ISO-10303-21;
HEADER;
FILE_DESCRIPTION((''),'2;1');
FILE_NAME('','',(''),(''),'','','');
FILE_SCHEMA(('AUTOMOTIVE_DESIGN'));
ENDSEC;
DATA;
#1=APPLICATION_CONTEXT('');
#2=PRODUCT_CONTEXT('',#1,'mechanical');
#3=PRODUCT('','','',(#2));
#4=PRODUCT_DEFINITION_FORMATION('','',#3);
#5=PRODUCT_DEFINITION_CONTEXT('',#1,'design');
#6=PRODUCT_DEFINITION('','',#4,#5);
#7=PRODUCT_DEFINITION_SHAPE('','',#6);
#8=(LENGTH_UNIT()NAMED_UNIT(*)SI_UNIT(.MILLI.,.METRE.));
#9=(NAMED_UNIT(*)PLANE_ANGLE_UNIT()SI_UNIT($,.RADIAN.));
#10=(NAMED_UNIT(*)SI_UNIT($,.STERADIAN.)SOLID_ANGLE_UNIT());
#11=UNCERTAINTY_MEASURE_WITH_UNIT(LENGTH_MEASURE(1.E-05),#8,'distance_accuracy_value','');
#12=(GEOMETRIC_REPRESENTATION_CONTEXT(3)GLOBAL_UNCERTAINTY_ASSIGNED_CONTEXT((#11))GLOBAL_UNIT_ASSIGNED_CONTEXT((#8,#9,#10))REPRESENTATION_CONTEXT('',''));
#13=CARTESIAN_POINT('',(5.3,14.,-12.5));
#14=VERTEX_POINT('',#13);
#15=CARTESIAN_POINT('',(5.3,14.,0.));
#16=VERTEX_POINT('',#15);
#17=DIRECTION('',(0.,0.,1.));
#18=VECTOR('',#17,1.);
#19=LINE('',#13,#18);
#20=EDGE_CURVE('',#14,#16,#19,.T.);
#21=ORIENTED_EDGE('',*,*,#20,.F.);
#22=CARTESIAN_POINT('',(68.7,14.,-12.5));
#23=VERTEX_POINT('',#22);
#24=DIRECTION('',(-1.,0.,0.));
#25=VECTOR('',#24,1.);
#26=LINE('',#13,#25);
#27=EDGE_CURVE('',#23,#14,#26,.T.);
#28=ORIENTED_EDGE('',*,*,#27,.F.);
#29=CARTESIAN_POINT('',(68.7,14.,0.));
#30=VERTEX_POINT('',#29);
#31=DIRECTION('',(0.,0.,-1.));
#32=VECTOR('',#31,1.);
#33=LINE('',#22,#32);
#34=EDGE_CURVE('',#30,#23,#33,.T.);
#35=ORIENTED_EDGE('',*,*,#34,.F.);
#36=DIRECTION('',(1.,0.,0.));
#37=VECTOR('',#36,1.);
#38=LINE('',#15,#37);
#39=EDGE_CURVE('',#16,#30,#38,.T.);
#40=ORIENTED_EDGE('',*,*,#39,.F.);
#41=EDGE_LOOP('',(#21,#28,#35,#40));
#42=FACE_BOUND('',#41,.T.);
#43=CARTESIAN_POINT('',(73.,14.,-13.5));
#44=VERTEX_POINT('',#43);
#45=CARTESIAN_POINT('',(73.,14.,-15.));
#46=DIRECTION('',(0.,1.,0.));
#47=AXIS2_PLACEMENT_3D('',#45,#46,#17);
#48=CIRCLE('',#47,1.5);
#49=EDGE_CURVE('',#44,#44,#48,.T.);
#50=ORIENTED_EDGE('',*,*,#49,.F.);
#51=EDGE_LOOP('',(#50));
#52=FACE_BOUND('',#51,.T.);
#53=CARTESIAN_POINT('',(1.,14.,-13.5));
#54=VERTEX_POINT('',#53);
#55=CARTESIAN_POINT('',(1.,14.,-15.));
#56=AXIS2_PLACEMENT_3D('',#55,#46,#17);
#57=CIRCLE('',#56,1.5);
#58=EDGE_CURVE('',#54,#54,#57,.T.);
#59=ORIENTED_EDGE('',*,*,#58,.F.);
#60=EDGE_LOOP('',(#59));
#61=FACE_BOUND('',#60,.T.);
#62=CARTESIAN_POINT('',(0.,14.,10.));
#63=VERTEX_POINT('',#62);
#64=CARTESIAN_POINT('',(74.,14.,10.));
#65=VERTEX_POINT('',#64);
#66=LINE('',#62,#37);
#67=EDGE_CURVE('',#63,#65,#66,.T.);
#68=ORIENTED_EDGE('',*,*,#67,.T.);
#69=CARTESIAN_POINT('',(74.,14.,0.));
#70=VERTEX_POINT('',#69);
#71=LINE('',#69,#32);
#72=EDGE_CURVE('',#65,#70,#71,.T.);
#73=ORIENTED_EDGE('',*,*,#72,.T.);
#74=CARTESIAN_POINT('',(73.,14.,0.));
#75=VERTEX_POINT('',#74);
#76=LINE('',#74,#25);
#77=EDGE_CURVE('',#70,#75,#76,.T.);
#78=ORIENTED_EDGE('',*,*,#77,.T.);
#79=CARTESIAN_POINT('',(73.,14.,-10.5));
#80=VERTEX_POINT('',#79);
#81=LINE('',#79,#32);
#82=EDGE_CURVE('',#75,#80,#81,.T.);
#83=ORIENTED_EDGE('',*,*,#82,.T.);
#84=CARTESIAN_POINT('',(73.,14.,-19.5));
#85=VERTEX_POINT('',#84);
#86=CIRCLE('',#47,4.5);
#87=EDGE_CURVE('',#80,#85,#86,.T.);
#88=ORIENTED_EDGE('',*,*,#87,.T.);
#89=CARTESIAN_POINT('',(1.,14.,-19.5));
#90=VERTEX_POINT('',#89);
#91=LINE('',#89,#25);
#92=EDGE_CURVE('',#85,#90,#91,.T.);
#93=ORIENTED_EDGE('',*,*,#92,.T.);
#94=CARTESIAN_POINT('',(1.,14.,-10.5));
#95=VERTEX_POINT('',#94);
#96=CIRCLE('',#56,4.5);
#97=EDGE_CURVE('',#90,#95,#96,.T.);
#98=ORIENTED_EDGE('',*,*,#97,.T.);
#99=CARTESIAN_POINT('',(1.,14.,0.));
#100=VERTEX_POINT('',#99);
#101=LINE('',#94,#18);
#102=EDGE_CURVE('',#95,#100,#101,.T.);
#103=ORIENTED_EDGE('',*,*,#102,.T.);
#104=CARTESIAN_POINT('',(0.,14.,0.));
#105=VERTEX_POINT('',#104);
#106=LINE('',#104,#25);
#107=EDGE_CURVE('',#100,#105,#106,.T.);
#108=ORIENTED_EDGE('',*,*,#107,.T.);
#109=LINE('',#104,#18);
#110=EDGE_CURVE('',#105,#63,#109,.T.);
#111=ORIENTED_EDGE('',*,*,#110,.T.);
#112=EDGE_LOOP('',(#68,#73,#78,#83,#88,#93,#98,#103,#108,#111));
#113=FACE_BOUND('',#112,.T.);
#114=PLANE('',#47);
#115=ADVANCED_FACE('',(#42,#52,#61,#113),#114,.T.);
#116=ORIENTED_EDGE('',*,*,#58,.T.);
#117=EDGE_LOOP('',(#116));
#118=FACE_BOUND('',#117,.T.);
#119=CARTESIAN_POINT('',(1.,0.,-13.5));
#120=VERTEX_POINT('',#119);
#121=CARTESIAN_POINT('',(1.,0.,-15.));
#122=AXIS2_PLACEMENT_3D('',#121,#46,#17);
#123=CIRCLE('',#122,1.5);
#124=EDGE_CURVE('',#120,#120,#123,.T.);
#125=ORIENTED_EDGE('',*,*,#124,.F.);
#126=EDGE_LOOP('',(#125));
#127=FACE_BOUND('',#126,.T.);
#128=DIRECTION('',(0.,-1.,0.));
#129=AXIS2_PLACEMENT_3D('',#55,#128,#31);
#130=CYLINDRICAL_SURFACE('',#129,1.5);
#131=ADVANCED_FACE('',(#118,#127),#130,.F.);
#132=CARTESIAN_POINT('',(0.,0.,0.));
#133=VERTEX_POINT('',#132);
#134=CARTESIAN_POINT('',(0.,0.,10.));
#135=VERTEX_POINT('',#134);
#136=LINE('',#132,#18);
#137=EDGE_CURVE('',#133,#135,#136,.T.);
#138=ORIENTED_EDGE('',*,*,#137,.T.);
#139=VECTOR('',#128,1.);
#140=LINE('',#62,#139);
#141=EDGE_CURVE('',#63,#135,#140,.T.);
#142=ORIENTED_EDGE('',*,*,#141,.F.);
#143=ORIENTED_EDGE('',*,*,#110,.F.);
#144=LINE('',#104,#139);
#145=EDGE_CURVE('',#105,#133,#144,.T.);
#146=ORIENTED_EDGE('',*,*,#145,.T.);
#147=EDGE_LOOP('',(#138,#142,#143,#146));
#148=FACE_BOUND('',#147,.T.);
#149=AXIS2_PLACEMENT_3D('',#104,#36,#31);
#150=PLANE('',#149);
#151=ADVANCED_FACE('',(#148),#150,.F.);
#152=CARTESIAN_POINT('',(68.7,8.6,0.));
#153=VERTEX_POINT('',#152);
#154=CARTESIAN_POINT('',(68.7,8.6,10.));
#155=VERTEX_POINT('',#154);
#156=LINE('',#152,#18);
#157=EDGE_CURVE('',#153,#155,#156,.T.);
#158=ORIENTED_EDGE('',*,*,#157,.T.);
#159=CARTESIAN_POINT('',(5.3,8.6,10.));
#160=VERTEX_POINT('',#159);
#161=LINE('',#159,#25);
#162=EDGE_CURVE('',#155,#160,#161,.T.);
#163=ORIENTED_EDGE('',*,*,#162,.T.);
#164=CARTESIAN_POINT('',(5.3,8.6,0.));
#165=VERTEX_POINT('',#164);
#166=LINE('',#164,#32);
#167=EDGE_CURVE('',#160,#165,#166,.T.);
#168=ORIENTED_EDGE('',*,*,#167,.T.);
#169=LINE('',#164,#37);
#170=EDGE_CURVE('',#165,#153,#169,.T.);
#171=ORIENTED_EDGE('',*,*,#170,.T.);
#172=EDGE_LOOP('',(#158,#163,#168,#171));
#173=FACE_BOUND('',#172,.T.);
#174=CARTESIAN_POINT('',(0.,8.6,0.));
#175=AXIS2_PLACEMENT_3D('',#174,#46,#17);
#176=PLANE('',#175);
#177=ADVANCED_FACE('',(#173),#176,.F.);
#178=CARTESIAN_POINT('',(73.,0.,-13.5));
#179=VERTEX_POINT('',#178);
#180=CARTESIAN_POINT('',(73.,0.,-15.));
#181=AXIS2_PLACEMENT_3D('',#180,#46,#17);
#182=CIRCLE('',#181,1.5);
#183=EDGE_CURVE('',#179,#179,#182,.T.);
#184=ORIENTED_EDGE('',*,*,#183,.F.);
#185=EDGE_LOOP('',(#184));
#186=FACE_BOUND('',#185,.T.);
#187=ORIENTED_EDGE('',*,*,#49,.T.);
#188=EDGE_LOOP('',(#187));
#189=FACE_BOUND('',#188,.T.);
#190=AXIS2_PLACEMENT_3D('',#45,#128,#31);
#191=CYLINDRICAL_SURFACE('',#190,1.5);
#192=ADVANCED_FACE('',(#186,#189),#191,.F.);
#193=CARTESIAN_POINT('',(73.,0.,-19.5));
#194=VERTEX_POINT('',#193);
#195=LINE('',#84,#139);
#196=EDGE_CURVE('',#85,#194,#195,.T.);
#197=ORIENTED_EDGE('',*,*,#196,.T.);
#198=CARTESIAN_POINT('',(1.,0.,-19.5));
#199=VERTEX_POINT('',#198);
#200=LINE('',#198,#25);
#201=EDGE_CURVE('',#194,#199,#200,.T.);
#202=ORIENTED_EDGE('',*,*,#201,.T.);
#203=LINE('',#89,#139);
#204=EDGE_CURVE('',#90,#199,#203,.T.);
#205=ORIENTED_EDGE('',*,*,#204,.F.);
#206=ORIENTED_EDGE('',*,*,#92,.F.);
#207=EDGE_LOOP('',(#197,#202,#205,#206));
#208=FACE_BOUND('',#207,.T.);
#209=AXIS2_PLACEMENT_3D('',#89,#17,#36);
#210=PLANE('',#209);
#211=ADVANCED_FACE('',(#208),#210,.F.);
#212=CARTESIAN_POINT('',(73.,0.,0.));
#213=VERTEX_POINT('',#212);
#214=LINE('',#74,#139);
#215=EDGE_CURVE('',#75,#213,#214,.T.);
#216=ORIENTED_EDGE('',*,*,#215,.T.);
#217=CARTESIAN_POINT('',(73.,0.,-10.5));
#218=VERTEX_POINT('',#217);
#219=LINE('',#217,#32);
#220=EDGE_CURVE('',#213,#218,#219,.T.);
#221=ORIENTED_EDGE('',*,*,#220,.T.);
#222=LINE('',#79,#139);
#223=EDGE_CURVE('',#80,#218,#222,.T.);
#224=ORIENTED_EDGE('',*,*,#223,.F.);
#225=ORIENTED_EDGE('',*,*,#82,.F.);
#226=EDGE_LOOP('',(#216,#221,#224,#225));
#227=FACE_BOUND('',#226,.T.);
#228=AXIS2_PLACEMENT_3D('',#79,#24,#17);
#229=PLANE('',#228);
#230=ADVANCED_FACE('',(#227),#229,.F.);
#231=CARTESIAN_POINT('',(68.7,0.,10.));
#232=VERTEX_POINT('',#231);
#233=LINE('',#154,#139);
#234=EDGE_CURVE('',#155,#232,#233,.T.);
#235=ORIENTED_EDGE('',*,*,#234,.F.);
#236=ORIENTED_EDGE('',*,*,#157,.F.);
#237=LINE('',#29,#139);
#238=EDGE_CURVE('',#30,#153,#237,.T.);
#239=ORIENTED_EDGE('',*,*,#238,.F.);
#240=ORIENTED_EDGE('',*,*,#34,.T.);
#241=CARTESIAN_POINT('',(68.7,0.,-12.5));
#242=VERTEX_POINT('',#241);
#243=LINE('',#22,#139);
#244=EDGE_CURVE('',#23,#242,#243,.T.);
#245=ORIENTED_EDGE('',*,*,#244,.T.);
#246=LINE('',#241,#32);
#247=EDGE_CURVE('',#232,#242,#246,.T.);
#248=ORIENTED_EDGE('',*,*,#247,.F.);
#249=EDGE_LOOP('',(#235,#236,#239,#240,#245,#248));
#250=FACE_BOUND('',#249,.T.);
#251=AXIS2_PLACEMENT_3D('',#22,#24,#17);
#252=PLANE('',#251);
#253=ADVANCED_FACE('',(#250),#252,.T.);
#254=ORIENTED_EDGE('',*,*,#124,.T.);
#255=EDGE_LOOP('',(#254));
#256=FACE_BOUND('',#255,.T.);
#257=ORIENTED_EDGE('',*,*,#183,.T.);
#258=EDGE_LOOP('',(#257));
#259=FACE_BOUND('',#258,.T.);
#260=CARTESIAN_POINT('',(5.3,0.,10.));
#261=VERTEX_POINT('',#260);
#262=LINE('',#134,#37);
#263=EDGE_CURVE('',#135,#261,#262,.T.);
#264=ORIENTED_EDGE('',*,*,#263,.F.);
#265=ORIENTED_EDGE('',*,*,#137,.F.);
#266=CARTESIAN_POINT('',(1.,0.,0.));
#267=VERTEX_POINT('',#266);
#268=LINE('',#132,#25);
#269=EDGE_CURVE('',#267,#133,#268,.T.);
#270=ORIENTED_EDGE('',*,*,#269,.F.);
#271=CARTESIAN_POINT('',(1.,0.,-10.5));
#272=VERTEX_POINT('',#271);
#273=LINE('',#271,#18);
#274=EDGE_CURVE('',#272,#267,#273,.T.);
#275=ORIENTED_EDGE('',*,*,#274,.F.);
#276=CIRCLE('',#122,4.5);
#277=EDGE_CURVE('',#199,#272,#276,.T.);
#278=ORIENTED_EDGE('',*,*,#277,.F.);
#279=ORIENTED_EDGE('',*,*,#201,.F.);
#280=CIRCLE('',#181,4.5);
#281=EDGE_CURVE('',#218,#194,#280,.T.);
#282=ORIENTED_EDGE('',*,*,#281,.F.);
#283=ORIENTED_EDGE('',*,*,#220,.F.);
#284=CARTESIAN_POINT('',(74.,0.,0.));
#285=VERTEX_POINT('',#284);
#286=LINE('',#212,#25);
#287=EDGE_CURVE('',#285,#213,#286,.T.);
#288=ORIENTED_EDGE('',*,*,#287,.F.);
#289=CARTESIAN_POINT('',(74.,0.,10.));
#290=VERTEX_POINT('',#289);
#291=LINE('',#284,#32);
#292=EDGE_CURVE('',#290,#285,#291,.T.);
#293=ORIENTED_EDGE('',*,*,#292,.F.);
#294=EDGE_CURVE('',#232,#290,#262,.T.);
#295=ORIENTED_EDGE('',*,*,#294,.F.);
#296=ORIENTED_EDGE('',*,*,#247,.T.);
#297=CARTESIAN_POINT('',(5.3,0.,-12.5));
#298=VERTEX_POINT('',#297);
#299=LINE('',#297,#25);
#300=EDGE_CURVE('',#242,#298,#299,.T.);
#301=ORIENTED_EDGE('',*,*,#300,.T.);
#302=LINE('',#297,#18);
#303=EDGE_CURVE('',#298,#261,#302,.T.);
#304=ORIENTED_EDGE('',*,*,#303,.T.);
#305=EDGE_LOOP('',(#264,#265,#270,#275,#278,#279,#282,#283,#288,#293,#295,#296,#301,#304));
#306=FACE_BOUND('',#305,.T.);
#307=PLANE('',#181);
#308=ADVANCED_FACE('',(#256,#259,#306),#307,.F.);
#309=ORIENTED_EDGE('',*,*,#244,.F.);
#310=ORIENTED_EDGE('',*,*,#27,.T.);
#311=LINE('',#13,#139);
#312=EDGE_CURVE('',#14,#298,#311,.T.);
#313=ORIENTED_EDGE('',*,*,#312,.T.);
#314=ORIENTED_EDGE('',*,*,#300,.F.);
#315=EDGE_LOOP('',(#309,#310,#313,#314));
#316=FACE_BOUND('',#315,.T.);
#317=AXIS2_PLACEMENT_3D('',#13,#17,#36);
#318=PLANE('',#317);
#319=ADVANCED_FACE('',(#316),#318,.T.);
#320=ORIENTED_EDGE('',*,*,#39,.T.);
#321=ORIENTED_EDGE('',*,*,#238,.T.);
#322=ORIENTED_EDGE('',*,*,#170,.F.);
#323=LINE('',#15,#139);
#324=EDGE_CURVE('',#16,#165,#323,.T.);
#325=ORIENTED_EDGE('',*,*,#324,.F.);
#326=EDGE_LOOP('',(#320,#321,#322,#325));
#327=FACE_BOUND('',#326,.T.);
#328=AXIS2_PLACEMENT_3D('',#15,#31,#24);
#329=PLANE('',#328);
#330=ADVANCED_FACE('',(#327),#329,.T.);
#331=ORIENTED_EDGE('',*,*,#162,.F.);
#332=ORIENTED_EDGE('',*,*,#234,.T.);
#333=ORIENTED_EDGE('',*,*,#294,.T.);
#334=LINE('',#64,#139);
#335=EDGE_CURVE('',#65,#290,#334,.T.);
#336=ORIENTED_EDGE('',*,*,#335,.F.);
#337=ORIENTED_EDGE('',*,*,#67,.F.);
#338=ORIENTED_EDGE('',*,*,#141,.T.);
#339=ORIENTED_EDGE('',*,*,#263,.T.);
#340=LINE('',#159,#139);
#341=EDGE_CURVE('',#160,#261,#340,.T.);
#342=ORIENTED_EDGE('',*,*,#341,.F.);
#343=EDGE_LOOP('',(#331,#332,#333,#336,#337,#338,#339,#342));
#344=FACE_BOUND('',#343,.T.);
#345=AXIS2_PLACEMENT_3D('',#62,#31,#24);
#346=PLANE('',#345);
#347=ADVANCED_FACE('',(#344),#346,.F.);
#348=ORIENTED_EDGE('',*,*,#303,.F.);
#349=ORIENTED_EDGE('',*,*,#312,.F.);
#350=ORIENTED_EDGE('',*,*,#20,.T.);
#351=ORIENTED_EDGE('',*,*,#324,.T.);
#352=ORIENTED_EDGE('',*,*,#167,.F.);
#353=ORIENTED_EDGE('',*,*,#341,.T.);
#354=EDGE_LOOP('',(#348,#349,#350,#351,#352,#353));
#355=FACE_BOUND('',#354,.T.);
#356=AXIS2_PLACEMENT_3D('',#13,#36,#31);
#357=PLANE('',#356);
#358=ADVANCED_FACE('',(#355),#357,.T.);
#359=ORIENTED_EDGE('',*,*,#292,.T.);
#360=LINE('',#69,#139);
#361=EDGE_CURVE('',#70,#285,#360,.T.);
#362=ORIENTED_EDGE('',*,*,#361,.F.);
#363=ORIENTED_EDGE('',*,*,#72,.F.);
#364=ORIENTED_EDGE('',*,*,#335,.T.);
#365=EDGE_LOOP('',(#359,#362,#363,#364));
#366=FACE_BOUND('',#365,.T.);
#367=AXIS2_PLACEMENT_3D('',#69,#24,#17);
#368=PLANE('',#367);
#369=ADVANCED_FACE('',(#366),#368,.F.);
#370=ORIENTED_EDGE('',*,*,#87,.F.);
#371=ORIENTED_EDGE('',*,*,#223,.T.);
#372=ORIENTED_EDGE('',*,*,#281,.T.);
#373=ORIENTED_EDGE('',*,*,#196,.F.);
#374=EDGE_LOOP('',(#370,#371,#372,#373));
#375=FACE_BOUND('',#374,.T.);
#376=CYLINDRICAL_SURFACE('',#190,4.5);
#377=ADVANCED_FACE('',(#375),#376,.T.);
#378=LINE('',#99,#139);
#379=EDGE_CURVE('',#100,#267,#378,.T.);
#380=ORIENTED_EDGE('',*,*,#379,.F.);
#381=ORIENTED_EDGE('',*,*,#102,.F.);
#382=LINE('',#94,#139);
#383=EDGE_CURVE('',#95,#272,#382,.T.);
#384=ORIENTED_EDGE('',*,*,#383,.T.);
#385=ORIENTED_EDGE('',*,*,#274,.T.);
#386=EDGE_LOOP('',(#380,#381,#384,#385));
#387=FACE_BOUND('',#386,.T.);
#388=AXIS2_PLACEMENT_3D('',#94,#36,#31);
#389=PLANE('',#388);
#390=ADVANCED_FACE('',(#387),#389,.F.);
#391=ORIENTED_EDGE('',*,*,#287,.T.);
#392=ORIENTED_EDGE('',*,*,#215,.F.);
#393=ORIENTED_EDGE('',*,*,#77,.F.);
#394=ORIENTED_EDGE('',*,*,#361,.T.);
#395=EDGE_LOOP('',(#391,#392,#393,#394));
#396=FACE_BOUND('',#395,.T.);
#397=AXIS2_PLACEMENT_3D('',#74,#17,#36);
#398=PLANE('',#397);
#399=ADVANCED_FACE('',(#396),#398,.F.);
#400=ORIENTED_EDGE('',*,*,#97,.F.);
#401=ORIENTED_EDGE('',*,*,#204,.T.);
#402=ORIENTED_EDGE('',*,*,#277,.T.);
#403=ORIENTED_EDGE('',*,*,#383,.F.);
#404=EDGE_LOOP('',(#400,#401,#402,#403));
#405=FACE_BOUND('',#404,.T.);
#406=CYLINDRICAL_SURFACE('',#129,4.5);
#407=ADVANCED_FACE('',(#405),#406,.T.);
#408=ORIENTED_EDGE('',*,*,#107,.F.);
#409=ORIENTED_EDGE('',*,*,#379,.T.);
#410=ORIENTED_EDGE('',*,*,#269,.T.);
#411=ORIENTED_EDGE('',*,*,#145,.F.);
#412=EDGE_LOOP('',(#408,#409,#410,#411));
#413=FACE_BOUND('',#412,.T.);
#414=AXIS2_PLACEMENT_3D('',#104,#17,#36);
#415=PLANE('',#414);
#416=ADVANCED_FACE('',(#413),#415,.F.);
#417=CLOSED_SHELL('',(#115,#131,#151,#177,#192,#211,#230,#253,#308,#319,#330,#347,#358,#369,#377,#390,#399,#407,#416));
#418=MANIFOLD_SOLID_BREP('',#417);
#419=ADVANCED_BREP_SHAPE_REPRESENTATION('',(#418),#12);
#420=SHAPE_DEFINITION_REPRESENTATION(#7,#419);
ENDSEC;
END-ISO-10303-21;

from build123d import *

# Parameters (mm, degrees)
SKETCH_1_R          = 1.5
SKETCH_1_W          = 63.4
SKETCH_1_H          = 12.5
EXTRUDE_1_DEPTH     = 14
SKETCH_2_W          = 63.4
SKETCH_2_H          = 10
CUT_EXTRUDE_1_DEPTH = 8.6


with BuildPart() as part:
    # Эскиз1 → Бобышка-Вытянуть1 (new body)
    with BuildSketch(Plane(origin=(0, 0, 0), x_dir=(1, 0, 0), z_dir=(0, 1, 0))):
        with BuildLine():
            Line((0, 0), (1, 0))
            Line((1, 0), (1, 10.5))
            ThreePointArc((1, 10.5), (-3.5, 15), (1, 19.5))
            Line((1, 19.5), (73, 19.5))
            ThreePointArc((73, 19.5), (77.5, 15), (73, 10.5))
            Line((73, 10.5), (73, 0))
            Line((73, 0), (74, 0))
            Line((74, 0), (74, -10))
            Line((74, -10), (0, -10))
            Line((0, -10), (0, 0))
        make_face()
        with Locations(Location((1, 15, 0), (0, 0, 270))):
            Circle(SKETCH_1_R, mode=Mode.SUBTRACT)
        with Locations(Location((73, 15, 0), (0, 0, 270))):
            Circle(SKETCH_1_R, mode=Mode.SUBTRACT)
        with Locations((37, 6.25)):
            Rectangle(SKETCH_1_W, SKETCH_1_H, mode=Mode.SUBTRACT)
    extrude(amount=EXTRUDE_1_DEPTH)

    # Эскиз2 → Вырез-Вытянуть1 (cut)
    with BuildSketch(Plane.XZ):
        with Locations((37, 5)):
            Rectangle(SKETCH_2_W, SKETCH_2_H)
    extrude(amount=-CUT_EXTRUDE_1_DEPTH, mode=Mode.SUBTRACT)


solid = part.part
